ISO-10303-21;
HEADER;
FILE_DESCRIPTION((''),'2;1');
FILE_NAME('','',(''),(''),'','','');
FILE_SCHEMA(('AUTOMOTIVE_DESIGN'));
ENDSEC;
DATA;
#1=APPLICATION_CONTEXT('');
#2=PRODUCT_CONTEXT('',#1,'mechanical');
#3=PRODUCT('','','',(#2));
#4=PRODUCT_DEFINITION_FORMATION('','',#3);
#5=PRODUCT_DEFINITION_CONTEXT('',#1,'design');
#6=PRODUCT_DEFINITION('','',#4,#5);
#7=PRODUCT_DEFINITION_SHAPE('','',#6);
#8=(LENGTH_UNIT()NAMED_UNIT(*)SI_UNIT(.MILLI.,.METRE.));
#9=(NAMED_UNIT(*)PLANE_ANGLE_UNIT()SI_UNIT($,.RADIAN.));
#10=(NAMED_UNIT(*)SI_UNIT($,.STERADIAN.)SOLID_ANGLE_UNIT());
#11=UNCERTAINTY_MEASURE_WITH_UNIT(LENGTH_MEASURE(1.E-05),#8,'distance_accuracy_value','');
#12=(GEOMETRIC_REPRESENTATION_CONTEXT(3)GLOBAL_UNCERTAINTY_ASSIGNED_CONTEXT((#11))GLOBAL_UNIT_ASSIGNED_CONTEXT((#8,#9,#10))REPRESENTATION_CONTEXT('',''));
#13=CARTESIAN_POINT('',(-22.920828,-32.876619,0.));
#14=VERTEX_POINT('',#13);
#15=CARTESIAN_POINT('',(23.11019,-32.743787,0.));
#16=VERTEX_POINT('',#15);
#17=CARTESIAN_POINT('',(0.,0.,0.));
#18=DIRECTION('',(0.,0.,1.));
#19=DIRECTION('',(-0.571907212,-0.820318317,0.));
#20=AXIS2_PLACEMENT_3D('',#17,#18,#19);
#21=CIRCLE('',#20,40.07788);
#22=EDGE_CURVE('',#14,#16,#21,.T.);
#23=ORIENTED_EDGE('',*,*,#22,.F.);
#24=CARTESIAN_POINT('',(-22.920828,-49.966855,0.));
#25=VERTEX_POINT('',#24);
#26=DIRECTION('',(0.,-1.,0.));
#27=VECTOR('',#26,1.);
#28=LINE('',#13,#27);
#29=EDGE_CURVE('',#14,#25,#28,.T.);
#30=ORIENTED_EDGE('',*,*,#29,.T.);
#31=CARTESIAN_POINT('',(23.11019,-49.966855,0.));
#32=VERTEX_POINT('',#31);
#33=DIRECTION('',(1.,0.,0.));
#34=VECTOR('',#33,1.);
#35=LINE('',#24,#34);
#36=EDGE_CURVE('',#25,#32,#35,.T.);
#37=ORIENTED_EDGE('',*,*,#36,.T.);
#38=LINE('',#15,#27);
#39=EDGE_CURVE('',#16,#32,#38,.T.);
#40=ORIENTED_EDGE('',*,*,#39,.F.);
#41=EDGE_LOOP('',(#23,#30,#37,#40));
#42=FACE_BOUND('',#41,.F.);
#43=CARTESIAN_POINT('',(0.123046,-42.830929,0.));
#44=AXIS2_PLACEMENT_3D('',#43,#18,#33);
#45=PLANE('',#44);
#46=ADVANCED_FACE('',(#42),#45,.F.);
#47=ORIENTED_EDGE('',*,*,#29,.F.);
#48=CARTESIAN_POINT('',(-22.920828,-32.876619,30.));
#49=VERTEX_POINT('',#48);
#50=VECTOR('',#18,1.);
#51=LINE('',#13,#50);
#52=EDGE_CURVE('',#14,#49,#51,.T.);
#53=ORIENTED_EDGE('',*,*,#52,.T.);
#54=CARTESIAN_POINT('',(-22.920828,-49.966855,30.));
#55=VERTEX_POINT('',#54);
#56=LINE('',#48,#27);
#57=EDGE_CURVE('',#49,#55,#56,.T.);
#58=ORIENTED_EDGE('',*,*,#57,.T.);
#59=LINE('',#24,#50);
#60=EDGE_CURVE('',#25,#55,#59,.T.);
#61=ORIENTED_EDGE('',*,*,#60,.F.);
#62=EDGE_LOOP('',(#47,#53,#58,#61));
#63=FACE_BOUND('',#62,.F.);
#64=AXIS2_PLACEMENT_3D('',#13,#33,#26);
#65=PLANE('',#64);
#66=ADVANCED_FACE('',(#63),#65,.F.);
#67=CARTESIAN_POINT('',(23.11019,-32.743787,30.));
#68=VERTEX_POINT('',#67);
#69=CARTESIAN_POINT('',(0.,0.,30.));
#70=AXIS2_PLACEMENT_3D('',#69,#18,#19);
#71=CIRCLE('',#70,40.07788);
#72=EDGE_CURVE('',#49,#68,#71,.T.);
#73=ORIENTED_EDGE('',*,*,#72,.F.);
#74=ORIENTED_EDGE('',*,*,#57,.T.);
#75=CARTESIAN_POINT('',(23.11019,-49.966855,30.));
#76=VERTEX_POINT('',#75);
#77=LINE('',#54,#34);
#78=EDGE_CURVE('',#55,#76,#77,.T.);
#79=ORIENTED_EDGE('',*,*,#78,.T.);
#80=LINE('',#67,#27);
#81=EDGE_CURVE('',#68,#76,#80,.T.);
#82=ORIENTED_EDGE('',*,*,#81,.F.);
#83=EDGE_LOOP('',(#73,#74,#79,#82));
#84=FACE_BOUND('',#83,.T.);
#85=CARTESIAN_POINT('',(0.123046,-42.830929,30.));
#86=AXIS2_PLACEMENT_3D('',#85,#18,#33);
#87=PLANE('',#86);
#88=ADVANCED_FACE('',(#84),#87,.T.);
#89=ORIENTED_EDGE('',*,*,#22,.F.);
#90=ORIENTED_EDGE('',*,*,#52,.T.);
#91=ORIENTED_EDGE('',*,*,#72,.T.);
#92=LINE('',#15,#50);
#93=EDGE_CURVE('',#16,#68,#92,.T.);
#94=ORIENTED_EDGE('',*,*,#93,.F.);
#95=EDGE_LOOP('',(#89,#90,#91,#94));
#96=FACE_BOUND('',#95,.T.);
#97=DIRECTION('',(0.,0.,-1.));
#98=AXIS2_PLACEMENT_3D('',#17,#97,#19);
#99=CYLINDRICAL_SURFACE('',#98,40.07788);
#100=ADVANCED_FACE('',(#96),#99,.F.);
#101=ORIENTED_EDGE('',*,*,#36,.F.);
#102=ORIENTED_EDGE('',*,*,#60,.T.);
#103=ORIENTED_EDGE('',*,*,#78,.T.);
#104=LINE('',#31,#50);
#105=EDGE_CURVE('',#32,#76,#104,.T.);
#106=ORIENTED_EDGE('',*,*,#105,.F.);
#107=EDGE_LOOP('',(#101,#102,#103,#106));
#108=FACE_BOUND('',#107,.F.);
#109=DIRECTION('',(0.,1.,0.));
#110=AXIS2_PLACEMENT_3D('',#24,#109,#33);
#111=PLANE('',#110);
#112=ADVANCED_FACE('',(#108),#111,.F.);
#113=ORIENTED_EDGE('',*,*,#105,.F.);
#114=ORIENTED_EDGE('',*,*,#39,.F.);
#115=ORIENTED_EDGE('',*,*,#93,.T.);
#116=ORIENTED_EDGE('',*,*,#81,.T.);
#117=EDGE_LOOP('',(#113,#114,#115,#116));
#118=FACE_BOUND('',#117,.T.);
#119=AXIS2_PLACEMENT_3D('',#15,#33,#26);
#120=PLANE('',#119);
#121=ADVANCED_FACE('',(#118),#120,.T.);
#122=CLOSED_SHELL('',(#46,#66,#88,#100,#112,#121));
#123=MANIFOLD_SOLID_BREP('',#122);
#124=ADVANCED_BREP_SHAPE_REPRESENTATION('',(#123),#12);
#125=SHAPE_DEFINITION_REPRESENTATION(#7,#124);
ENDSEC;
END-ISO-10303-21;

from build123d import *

# Parameters (mm, degrees)
EXTRUDE_DEPTH = 30


with BuildPart() as part:
    # Sketch002 → Extrude (new body)
    with BuildSketch(Plane.XY):
        with BuildLine():
            Line((-22.920828, -32.876619), (-22.920828, -49.966855))
            Line((-22.920828, -49.966855), (23.11019, -49.966855))
            Line((23.11019, -32.743787), (23.11019, -49.966855))
            ThreePointArc((-22.920828, -32.876619), (0.115653, -40.077713), (23.11019, -32.743787))
        make_face()
    extrude(amount=EXTRUDE_DEPTH)


solid = part.part
